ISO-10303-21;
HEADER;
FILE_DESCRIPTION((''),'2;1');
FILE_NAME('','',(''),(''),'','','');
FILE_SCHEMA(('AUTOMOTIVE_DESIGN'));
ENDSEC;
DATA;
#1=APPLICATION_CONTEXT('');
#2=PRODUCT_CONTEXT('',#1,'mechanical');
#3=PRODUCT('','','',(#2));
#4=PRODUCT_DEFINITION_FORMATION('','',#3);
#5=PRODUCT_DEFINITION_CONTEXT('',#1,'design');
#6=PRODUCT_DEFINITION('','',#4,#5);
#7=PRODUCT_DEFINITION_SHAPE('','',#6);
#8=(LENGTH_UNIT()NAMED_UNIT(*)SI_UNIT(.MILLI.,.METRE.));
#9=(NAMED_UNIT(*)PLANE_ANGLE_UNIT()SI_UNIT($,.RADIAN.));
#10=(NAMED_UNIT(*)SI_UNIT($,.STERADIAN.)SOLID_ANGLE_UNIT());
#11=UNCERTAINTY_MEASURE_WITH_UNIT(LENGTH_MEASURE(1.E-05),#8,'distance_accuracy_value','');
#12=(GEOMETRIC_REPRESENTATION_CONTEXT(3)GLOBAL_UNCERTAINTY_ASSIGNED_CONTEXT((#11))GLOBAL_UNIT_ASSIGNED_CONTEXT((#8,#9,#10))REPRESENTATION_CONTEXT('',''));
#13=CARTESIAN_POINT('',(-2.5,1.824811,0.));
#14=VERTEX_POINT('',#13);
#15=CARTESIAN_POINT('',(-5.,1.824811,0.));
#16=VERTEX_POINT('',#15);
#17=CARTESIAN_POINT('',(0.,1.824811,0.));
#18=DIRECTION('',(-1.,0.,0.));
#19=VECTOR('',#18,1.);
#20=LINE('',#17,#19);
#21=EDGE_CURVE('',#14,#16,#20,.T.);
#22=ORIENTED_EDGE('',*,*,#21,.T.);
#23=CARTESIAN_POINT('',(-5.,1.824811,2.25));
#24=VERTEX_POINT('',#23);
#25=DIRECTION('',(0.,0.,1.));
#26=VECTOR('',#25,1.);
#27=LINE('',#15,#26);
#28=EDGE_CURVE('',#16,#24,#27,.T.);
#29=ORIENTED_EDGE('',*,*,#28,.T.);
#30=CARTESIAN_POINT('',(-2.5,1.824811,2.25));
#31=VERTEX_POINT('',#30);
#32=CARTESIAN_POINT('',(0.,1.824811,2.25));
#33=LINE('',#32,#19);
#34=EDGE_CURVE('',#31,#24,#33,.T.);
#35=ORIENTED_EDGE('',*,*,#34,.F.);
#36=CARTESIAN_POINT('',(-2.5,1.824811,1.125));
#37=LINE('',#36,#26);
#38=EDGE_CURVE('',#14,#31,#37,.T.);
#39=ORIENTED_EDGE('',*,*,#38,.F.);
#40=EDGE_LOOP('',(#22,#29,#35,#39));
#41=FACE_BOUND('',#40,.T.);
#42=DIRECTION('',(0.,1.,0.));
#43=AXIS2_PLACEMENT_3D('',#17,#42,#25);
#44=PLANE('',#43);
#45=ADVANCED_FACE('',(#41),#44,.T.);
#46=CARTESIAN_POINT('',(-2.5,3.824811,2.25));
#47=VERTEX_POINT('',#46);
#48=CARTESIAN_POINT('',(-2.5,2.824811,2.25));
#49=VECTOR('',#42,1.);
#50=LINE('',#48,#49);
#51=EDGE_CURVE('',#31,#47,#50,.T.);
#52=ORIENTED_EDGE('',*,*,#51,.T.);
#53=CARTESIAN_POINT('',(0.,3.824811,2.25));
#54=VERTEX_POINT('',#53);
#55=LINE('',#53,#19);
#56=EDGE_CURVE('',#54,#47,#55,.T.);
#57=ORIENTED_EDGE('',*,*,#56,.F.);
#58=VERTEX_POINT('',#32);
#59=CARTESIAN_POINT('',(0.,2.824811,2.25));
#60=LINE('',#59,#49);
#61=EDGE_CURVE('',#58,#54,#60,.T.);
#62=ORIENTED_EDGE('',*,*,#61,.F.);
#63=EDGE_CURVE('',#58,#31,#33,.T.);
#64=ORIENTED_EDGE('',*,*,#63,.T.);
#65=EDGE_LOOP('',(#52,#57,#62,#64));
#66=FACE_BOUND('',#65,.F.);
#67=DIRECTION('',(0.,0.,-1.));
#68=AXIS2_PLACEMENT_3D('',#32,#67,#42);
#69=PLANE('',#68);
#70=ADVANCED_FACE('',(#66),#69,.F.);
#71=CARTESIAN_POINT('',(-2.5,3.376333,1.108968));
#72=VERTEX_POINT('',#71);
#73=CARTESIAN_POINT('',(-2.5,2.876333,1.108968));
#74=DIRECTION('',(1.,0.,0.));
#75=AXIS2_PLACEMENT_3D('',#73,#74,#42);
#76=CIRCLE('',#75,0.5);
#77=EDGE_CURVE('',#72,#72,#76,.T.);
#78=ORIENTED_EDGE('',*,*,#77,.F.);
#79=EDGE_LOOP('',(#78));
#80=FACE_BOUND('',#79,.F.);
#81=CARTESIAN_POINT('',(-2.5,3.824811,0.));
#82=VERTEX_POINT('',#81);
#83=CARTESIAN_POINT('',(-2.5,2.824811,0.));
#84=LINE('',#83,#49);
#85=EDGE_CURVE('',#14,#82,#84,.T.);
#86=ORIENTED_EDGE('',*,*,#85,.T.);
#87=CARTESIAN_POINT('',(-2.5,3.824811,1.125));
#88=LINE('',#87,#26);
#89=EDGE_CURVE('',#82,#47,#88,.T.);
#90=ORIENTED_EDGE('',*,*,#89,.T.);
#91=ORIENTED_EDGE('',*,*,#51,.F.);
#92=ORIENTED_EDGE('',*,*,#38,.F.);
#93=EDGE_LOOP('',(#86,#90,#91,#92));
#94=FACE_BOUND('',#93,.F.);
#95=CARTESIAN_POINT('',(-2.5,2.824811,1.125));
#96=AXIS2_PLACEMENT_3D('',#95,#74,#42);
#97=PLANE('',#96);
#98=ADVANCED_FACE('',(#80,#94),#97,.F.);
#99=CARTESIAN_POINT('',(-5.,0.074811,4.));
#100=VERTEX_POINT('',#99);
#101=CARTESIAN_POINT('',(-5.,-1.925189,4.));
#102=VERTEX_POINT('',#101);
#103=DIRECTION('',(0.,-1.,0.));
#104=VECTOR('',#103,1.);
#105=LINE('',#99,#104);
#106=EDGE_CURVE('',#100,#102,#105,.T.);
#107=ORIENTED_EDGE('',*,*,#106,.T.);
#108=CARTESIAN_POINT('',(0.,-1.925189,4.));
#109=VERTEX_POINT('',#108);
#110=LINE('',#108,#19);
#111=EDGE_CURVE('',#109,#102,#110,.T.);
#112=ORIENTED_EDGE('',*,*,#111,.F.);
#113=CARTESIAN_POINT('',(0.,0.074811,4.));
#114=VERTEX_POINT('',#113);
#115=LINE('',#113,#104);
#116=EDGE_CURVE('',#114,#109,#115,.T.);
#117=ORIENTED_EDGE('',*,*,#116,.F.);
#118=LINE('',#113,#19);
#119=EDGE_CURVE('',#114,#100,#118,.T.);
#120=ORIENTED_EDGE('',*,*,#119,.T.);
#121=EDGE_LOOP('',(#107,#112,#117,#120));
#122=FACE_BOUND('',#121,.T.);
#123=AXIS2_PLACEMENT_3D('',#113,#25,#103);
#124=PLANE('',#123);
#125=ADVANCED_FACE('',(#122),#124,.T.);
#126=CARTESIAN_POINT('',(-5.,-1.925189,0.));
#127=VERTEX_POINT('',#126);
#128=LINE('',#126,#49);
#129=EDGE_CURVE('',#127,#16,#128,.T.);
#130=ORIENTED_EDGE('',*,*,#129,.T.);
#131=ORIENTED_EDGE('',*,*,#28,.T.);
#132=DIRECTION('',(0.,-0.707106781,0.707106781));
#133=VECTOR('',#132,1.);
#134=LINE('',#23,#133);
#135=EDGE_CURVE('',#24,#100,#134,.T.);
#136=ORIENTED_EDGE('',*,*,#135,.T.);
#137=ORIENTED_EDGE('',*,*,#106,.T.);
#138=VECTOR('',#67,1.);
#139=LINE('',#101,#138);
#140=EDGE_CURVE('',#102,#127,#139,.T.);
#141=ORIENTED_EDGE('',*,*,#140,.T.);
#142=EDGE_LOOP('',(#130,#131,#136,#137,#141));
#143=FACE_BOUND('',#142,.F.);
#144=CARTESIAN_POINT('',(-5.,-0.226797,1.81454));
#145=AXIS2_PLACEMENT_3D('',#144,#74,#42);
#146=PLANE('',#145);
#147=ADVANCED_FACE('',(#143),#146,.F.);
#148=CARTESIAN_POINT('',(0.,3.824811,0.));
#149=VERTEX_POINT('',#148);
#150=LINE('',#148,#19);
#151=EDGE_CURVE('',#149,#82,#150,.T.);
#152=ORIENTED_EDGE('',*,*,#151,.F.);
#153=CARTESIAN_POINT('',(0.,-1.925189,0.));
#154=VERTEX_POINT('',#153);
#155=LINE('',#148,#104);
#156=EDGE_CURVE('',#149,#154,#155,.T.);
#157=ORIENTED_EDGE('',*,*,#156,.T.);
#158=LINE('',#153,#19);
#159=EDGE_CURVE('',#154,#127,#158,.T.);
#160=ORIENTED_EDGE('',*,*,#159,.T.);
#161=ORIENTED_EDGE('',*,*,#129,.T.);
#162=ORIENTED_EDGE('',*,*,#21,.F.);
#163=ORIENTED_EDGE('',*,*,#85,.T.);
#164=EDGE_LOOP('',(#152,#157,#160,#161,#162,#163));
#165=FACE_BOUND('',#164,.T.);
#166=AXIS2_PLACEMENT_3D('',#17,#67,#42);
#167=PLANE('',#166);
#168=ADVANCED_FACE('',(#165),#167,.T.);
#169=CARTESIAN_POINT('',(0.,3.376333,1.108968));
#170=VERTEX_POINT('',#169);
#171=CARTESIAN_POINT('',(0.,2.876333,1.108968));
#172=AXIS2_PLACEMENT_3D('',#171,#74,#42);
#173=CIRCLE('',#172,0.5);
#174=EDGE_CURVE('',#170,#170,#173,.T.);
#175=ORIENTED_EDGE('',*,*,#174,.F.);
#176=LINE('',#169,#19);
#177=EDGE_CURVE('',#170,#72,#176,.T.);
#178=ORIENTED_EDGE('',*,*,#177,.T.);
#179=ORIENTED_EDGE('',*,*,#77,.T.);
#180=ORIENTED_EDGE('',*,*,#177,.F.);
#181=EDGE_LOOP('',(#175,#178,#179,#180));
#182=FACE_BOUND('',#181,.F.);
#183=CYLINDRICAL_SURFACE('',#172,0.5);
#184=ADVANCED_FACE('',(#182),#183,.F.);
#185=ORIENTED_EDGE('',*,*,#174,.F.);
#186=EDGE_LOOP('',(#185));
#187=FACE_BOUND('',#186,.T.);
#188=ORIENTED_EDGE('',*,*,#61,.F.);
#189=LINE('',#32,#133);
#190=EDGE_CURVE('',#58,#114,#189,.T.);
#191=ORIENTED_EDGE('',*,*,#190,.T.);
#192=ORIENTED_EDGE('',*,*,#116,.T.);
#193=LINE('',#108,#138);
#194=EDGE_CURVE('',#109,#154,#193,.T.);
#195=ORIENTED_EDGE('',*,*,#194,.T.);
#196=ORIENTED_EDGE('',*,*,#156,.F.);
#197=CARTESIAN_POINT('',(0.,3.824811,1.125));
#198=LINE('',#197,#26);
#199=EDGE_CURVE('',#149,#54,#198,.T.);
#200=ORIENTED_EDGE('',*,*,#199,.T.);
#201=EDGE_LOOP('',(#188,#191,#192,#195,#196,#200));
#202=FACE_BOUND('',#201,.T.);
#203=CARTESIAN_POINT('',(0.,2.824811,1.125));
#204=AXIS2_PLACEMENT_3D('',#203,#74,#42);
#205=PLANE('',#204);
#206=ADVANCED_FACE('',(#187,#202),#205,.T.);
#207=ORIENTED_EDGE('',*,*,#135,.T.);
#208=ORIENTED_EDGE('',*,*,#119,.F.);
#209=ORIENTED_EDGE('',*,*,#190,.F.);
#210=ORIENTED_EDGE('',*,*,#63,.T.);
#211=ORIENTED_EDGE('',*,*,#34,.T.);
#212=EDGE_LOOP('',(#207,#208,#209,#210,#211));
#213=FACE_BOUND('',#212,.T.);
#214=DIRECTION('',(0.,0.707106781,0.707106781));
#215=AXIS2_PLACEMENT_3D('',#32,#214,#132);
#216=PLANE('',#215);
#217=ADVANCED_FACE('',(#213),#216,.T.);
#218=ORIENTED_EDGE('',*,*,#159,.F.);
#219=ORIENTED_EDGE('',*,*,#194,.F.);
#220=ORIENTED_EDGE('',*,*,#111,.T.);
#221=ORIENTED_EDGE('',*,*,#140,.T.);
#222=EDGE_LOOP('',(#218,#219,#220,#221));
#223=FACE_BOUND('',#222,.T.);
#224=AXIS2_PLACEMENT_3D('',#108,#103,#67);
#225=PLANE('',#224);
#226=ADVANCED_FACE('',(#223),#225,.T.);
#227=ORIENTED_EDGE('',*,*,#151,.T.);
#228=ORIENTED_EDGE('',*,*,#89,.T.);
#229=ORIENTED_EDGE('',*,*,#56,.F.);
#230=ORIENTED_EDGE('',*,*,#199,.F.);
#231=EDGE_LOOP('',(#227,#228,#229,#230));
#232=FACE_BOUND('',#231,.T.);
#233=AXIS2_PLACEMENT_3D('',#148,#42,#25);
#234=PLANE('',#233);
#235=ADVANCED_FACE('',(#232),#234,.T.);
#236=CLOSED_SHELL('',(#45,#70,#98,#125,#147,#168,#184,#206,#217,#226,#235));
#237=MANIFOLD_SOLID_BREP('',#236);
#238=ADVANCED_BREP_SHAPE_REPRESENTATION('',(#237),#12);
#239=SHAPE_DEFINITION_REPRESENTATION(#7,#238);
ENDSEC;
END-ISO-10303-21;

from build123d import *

# Parameters (mm, degrees)
F1_DEPTH = 5
F0_W     = 2
F0_H     = 2.25
F0_R     = 0.5
F2_DEPTH = 2.5


with BuildPart() as f1:
    # F0 (on Right) → F1 (new body)
    with BuildSketch(Plane.YZ):
        Polygon((0.074811, 4), (-1.925189, 4), (-1.925189, 0), (1.824811, 0), (1.824811, 2.25), align=None)
    extrude(amount=-F1_DEPTH)

    # F0 (on Right) → F2 (join)
    with BuildSketch(Plane.YZ):
        with Locations((2.824811, 1.125)):
            Rectangle(F0_W, F0_H)
        with Locations((2.876333, 1.108968)):
            Circle(F0_R, mode=Mode.SUBTRACT)
    extrude(amount=-F2_DEPTH)


solid = f1.part
